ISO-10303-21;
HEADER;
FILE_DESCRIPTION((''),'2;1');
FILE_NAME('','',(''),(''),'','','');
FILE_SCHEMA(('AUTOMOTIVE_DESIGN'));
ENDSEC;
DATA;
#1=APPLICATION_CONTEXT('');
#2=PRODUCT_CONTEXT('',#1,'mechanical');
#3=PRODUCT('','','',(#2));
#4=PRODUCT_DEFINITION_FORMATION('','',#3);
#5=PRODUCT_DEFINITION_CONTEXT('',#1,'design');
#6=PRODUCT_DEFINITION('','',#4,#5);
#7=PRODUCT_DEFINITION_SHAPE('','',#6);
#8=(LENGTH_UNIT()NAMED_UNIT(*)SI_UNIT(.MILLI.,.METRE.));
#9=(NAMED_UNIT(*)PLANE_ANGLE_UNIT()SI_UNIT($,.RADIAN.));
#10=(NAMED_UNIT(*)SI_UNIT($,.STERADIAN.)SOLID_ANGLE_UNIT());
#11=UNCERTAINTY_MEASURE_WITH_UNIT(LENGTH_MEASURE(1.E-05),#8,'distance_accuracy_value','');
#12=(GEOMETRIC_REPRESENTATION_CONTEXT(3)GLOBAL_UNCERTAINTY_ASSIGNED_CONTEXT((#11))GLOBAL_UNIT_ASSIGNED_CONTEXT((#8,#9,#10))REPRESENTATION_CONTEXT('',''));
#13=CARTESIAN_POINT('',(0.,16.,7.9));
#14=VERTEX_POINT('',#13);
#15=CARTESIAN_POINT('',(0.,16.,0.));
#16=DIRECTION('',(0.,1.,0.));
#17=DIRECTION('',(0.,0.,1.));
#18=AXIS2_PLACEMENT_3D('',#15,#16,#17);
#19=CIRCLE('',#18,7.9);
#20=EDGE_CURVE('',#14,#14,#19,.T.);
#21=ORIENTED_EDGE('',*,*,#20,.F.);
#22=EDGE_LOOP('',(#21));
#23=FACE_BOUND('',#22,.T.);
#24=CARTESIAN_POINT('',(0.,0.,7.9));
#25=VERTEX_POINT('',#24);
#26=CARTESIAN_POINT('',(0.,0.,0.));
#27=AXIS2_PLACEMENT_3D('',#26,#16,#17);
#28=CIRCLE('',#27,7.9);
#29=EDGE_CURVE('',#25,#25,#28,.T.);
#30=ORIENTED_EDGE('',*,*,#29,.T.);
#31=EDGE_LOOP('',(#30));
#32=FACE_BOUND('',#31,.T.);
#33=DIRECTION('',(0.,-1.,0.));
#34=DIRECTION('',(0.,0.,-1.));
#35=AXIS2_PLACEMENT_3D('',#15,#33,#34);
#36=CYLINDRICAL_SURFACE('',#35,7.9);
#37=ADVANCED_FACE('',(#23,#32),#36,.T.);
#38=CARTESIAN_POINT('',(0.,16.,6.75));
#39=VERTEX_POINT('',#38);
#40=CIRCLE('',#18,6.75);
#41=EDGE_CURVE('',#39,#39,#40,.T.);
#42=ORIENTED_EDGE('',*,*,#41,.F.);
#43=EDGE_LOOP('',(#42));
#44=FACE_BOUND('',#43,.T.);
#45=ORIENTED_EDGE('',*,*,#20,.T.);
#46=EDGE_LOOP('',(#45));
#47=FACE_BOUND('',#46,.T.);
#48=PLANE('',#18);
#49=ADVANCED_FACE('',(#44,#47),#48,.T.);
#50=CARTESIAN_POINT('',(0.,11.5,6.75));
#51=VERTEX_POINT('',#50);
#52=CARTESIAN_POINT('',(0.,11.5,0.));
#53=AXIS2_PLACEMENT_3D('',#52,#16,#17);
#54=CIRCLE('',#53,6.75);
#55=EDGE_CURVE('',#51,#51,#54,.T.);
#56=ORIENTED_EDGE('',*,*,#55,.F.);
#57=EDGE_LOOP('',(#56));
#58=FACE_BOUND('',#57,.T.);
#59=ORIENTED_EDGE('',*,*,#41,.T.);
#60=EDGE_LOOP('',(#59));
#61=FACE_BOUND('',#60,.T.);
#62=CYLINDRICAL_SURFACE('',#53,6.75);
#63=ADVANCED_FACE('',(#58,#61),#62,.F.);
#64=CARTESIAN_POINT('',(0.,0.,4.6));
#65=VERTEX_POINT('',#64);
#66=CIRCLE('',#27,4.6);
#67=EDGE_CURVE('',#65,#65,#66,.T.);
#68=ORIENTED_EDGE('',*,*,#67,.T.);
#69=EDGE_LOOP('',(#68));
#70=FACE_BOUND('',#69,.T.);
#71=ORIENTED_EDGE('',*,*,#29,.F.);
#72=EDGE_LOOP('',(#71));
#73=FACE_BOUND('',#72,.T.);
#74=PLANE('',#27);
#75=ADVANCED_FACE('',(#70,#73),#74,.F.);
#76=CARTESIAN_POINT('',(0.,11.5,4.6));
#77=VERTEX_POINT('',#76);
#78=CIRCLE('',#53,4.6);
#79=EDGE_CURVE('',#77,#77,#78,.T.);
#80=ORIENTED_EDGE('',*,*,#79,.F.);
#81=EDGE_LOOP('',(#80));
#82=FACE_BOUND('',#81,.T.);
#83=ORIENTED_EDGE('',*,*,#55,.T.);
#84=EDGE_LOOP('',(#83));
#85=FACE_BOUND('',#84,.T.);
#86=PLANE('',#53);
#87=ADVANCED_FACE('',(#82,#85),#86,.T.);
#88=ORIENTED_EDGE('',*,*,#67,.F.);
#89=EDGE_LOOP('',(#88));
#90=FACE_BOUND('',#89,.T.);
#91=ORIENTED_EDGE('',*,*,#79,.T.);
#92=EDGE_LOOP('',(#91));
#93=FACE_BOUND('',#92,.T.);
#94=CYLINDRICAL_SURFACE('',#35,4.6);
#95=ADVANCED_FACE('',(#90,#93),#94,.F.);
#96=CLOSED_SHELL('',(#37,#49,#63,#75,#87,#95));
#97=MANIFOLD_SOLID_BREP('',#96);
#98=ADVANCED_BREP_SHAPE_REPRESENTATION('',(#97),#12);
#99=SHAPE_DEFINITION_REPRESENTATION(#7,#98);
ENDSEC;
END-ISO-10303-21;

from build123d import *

# Parameters (mm, degrees)
SKETCH1_R           = 7.9
SKETCH1_R_2         = 4.6
BOSS_EXTRUDE1_DEPTH = 16
SKETCH2_R           = 6.75
CUT_EXTRUDE1_DEPTH  = 4.5


with BuildPart() as part:
    # Sketch1 → Boss-Extrude1 (new body)
    with BuildSketch(Plane(origin=(0, 0, 0), x_dir=(1, 0, 0), z_dir=(0, 1, 0))):
        with Locations(Location((0, 0, 0), (0, 0, 270))):
            Circle(SKETCH1_R)
        with Locations(Location((0, 0, 0), (0, 0, 270))):
            Circle(SKETCH1_R_2, mode=Mode.SUBTRACT)
    extrude(amount=BOSS_EXTRUDE1_DEPTH)

    # Sketch2 → Cut-Extrude1 (cut)
    with BuildSketch(Plane(origin=(0, 16, 0), x_dir=(1, 0, 0), z_dir=(0, 1, 0))):
        with Locations(Location((0, 0, 0), (0, 0, 270))):
            Circle(SKETCH2_R)
    extrude(amount=-CUT_EXTRUDE1_DEPTH, mode=Mode.SUBTRACT)


solid = part.part
